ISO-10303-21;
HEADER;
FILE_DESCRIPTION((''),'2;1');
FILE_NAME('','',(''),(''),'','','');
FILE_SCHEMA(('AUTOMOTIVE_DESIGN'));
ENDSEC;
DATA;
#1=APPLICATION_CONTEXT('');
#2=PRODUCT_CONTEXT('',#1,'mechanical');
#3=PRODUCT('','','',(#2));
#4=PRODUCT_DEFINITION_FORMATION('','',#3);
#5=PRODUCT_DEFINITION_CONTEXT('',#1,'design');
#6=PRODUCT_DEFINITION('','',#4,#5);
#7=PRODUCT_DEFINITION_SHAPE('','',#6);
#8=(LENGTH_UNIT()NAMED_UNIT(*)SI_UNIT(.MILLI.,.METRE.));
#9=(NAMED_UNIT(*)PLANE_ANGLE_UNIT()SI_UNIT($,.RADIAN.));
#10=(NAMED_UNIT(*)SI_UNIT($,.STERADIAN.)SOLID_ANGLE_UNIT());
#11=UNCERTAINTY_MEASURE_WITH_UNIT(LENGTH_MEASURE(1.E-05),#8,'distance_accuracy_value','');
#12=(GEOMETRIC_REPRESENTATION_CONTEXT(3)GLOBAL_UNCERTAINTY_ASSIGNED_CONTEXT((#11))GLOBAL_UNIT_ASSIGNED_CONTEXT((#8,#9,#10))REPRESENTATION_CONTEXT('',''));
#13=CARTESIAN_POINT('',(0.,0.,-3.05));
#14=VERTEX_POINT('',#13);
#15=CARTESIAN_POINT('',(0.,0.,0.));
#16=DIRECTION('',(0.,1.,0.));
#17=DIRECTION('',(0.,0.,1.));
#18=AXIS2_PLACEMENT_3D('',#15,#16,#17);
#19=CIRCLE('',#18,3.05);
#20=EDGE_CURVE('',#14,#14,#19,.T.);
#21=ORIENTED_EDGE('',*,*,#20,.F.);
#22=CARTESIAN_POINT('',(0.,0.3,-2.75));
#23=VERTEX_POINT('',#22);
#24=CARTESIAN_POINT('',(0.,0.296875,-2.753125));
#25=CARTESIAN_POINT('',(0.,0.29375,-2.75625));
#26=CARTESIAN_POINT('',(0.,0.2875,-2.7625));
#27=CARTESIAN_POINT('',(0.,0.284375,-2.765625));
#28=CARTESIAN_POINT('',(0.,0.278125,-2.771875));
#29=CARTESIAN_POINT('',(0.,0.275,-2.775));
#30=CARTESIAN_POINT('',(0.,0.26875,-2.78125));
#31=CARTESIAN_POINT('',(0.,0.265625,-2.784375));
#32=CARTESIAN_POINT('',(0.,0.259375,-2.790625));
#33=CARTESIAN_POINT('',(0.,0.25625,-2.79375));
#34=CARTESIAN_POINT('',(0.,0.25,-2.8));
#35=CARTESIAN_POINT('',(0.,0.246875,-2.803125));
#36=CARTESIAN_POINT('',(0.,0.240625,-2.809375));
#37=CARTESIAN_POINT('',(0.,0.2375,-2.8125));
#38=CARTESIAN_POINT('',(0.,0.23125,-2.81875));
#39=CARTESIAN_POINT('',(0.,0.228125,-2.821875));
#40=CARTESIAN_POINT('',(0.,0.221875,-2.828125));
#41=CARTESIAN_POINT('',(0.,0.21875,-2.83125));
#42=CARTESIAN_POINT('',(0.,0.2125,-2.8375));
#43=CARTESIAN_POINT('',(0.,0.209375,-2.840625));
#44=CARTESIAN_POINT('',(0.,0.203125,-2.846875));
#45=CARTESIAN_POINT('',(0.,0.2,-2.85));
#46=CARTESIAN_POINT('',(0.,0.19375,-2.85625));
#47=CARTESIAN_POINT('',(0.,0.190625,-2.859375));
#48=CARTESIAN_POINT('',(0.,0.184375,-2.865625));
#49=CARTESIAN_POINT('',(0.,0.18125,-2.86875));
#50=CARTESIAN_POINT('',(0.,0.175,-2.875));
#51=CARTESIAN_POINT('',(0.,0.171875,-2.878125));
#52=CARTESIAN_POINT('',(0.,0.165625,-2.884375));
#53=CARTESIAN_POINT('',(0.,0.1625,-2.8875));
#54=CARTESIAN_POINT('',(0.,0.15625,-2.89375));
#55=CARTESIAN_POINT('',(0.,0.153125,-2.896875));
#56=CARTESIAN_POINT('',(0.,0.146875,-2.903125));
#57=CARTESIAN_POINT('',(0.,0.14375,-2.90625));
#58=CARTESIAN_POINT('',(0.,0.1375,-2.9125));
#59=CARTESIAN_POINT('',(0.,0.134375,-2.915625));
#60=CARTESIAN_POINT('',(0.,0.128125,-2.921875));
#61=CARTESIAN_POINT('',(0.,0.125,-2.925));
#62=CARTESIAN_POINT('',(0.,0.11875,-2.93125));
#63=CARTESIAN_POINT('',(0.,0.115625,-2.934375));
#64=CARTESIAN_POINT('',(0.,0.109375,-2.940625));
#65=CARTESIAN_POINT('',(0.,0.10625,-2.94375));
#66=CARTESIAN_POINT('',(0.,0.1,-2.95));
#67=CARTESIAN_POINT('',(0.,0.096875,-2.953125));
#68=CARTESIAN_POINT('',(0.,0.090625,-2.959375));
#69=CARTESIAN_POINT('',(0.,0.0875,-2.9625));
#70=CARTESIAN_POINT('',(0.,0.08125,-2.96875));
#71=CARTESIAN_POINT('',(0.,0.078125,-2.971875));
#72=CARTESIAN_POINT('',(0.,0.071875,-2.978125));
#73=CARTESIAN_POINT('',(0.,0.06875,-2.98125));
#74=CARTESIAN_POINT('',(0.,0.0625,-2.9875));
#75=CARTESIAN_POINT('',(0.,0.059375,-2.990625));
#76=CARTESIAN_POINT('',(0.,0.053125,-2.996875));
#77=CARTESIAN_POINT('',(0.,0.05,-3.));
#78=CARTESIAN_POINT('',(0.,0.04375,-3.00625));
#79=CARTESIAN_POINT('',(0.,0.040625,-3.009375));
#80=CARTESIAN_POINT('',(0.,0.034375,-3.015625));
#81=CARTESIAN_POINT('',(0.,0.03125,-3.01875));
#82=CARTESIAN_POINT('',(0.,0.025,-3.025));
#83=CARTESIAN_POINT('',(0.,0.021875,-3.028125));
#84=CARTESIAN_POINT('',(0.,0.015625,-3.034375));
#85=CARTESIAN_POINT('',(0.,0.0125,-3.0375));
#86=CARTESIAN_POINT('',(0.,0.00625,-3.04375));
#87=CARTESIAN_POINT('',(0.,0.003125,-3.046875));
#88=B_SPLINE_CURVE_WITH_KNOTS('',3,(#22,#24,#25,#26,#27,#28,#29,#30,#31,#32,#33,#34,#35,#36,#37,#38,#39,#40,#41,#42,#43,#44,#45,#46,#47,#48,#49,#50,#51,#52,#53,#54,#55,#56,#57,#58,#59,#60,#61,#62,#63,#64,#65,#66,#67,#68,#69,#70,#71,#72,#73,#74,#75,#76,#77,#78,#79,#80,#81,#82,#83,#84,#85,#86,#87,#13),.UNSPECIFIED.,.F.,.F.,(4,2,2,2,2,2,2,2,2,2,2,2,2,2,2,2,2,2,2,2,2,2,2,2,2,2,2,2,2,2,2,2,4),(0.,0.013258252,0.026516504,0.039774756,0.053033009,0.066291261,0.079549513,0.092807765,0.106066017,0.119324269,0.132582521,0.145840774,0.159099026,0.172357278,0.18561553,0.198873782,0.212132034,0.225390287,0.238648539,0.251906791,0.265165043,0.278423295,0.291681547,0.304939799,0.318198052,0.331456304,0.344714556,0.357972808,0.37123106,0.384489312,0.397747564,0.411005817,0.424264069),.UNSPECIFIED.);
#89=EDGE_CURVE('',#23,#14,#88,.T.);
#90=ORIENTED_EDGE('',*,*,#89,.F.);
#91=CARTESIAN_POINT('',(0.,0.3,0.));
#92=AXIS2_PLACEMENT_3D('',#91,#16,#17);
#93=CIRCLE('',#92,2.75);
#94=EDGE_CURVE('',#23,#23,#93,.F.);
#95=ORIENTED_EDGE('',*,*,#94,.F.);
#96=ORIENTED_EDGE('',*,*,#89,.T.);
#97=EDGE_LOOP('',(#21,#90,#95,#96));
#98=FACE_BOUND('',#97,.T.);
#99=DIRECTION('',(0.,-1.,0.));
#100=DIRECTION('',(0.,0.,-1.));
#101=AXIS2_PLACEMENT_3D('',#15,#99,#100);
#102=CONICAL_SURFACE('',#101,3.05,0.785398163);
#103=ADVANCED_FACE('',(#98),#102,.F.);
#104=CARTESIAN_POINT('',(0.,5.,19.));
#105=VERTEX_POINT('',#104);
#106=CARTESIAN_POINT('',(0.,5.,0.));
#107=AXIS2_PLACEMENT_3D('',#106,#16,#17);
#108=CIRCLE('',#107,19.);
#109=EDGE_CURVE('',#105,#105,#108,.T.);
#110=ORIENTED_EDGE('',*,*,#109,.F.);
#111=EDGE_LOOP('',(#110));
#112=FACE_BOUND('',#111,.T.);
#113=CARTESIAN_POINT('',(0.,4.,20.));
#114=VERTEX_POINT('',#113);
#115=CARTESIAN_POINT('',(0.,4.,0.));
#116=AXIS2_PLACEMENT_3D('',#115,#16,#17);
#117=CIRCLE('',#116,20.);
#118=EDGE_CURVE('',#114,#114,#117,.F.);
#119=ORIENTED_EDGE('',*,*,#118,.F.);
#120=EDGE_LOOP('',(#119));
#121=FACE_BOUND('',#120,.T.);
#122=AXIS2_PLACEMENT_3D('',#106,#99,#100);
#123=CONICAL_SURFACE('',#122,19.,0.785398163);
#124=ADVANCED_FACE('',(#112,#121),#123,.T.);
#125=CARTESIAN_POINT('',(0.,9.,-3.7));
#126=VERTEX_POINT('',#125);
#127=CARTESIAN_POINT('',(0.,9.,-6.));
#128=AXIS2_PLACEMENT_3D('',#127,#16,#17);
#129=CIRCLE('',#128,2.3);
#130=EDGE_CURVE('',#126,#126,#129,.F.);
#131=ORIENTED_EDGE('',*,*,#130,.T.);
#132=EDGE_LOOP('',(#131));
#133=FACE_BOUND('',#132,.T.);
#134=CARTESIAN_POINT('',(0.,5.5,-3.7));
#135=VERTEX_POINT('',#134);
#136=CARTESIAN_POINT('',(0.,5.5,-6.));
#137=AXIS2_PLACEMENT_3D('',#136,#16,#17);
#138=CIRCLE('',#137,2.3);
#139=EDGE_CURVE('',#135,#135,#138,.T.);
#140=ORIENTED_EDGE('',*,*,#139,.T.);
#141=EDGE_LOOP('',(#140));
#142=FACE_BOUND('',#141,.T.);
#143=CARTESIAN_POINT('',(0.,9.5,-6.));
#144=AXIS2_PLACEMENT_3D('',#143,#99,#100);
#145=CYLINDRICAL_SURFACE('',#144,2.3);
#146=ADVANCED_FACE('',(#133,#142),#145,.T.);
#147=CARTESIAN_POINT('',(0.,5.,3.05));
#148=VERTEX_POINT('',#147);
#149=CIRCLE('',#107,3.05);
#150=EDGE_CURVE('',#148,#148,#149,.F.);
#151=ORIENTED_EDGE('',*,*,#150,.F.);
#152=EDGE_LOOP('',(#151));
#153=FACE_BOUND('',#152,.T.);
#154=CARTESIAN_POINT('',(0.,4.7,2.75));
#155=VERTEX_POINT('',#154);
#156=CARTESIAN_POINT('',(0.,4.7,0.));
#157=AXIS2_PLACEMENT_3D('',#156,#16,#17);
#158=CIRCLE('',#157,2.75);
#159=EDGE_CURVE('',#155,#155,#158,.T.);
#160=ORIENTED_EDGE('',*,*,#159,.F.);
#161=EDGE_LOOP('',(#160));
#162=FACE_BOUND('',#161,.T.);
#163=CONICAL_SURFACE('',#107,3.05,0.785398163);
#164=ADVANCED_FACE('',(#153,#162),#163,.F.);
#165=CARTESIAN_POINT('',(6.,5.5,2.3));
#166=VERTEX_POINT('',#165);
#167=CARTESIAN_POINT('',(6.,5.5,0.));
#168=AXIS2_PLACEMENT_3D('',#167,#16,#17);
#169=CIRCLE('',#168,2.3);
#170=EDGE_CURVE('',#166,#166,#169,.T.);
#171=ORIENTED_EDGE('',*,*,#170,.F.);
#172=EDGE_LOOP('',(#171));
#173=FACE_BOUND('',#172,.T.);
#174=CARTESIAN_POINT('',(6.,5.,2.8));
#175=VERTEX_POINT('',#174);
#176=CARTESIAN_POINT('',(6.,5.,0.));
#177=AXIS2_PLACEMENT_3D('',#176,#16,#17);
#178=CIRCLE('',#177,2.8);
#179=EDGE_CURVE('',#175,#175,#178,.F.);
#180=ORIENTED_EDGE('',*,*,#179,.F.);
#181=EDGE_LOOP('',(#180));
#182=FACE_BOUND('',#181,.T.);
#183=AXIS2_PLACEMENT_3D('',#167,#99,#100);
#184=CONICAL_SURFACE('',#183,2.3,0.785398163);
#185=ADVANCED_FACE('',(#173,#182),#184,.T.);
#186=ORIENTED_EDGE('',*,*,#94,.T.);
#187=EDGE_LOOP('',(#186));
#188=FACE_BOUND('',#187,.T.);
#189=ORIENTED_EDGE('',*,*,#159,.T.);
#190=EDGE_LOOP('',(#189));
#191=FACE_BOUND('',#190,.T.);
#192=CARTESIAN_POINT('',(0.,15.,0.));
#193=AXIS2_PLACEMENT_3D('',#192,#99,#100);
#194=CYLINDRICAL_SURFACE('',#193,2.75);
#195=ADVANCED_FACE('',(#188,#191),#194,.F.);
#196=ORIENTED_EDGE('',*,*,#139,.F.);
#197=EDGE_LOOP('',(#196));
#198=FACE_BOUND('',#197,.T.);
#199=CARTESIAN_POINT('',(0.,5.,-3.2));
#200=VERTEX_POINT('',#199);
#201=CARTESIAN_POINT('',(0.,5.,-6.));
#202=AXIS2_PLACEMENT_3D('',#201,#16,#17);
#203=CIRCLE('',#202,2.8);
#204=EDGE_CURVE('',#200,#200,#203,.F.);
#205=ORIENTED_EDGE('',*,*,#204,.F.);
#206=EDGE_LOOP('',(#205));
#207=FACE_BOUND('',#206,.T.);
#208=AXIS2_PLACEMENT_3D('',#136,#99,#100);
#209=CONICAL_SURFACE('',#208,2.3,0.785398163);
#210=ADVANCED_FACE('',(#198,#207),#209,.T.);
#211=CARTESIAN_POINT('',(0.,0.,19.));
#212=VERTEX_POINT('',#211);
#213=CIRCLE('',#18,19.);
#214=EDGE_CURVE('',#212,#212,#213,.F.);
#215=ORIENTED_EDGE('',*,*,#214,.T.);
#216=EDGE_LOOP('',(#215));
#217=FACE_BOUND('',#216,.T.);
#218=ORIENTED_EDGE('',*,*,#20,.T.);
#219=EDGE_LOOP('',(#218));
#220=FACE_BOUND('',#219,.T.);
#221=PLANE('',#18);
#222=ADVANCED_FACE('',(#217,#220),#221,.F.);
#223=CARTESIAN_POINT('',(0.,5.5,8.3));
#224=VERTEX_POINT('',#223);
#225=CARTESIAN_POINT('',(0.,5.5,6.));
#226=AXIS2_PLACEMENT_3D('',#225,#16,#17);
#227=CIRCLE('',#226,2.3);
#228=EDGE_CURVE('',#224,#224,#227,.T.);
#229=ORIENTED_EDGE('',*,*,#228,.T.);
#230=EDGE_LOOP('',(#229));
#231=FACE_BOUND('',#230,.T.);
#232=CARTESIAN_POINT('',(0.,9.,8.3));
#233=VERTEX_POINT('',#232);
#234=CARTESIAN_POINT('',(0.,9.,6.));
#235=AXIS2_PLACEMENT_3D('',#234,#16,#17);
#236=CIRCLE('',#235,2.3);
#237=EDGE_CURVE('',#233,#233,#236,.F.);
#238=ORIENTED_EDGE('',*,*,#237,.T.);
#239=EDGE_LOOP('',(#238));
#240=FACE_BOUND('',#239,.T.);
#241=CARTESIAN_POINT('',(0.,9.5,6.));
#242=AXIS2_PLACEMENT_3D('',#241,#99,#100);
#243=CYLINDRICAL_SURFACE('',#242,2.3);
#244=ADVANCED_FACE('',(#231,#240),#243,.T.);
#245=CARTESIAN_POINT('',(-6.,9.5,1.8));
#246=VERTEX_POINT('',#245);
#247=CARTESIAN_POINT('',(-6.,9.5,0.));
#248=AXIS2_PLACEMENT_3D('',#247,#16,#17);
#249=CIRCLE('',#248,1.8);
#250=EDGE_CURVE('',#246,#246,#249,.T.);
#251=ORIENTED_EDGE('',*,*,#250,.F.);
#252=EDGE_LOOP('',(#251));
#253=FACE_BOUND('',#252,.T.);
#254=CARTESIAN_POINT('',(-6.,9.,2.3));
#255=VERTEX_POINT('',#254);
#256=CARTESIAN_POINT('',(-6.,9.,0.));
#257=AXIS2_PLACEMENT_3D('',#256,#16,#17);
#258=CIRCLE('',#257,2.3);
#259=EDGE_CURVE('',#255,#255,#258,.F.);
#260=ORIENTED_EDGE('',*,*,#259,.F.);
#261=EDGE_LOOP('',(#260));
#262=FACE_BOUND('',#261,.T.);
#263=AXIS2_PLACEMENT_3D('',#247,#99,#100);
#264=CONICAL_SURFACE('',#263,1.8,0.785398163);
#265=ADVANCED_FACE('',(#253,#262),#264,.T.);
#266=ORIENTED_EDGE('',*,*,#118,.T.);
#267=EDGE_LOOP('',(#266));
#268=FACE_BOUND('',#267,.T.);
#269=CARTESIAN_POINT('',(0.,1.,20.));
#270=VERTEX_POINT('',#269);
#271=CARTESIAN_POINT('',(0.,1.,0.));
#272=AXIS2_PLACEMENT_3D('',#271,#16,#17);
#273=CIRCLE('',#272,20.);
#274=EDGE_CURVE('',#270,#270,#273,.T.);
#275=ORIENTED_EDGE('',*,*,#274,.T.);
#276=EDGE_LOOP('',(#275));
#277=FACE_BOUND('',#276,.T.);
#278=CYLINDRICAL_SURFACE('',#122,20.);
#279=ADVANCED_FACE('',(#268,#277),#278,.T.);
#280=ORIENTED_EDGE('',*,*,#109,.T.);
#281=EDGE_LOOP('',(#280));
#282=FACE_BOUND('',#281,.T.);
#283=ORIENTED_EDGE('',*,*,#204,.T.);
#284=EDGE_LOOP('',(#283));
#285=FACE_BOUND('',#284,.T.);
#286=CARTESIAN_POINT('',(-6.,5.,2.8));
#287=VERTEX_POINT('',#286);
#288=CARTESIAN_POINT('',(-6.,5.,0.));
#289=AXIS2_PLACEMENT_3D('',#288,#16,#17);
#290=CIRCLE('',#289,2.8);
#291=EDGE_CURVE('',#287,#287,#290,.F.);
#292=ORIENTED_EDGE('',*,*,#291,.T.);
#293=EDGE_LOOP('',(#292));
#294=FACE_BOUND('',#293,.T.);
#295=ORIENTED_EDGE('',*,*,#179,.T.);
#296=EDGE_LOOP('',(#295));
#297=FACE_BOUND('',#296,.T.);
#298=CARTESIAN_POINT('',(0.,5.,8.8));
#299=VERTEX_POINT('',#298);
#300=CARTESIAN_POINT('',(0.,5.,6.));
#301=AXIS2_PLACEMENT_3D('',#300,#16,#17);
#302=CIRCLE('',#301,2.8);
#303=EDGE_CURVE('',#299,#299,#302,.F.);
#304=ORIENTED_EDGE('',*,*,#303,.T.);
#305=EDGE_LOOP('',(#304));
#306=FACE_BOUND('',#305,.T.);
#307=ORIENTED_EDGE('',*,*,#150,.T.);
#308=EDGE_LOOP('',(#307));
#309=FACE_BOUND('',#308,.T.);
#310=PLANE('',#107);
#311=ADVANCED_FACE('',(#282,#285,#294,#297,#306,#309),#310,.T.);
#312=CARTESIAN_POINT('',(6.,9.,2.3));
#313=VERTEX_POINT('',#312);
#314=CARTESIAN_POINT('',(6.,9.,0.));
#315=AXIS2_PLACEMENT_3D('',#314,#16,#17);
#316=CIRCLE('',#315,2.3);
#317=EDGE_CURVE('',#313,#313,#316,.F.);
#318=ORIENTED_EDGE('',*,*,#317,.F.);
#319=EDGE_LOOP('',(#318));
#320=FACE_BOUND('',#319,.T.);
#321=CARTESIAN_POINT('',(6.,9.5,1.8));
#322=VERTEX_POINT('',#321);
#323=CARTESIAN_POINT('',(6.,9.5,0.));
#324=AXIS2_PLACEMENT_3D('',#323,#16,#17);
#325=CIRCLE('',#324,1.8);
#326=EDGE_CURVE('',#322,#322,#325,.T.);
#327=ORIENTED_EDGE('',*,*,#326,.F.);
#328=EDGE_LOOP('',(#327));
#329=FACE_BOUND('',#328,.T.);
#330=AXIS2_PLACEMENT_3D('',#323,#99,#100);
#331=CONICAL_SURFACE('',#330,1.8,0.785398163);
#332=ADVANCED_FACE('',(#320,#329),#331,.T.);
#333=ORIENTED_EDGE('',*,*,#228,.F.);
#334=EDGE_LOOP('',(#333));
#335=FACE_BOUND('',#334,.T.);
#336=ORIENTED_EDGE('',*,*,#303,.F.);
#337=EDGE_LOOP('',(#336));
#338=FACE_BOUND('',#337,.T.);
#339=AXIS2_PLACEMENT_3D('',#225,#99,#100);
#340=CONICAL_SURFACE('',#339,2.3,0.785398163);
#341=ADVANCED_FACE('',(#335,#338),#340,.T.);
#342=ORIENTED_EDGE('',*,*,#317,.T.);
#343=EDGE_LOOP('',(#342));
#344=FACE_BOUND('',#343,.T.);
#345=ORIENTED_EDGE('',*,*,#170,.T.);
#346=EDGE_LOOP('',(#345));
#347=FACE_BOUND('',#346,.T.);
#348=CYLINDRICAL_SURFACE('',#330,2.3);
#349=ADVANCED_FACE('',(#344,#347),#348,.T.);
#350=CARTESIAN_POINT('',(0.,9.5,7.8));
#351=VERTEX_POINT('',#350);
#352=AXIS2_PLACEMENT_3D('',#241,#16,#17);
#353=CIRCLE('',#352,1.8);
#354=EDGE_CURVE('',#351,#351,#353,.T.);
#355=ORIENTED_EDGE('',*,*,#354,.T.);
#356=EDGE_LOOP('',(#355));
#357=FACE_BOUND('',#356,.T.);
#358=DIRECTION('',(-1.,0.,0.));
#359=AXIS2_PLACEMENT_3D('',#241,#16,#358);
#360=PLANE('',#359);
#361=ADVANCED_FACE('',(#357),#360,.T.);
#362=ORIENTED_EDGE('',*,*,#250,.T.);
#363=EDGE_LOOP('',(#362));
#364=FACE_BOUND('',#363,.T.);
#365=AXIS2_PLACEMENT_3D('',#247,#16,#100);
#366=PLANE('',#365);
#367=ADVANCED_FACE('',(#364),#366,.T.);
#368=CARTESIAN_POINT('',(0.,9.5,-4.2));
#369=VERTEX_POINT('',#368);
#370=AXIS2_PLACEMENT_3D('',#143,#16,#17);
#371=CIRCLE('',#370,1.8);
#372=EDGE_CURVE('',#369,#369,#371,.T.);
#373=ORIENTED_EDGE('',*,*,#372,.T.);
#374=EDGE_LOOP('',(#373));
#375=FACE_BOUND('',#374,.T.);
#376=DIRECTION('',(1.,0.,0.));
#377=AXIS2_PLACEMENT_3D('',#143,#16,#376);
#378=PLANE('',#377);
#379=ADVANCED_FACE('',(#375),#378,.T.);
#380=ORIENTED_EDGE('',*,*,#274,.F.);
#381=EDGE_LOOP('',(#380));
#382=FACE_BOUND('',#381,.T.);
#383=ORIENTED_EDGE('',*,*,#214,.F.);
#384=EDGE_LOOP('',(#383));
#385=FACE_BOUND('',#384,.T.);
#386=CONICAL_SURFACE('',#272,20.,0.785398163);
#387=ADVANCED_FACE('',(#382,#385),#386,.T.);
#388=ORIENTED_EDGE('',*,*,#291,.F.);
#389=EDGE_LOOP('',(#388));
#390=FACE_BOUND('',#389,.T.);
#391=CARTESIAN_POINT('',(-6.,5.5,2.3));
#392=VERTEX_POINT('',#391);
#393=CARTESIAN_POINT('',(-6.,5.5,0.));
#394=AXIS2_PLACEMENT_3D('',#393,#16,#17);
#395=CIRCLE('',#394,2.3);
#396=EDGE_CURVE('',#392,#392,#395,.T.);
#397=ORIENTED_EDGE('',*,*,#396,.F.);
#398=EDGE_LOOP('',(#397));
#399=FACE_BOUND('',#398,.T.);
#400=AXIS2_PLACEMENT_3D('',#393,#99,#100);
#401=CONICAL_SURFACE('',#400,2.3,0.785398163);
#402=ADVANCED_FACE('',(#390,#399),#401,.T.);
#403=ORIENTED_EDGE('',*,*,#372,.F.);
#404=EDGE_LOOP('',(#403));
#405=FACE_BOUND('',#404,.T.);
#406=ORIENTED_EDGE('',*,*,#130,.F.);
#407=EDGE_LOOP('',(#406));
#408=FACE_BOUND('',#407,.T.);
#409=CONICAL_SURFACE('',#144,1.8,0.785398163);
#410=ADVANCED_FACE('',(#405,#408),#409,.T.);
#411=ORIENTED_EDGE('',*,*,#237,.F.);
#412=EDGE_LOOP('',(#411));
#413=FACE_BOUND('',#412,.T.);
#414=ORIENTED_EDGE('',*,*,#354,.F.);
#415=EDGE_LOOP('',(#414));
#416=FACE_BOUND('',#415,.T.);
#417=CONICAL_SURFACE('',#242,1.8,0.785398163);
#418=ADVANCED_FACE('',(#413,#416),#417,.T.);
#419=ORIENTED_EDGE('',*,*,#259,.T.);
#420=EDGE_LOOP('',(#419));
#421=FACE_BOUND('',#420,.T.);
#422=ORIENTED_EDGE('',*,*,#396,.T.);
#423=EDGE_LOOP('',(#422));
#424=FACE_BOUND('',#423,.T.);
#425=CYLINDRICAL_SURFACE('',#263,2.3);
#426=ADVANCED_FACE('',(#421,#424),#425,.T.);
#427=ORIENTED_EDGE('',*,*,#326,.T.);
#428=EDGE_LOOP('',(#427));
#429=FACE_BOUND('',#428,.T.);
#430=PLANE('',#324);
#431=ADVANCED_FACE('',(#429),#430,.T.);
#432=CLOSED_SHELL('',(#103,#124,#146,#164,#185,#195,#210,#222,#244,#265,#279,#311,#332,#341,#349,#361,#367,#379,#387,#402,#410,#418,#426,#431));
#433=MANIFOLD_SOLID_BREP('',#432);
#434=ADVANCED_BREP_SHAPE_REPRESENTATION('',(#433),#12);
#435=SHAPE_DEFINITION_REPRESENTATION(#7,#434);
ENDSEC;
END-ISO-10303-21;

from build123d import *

# Parameters (mm, degrees)
SKETCH_1_R                           = 20
EXTRUDE_1_DEPTH                      = 5
CUT_EXTRUDE_START                    = -5
SKETCH_4_R                           = 2.75
CUT_EXTRUDE_3_DEPTH                  = 15
SKETCH_7_R                           = 2.3
EXTRUDE_3_DEPTH                      = 4.5
CHAMFER_3_SIZE                       = 0.5
PATTERN_CIRCULAR_1_COUNT             = 4
CHAMFER_3_OF_PATTERN_CIRCULAR_1_SIZE = 0.5
CHAMFER_4_SIZE                       = 0.3
CHAMFER_5_SIZE                       = 1


with BuildPart() as part:
    # 草图1 → 凸台-拉伸1 (new body)
    with BuildSketch(Plane(origin=(0, 0, 0), x_dir=(1, 0, 0), z_dir=(0, 1, 0))):
        with Locations(Location((0, 0, 0), (0, 0, 270))):
            Circle(SKETCH_1_R)
    extrude(amount=EXTRUDE_1_DEPTH)

    # 草图4 → 切除-拉伸3 (cut)
    with BuildSketch(Plane(origin=(0, 5, 0), x_dir=(1, 0, 0), z_dir=(0, 1, 0)).offset(CUT_EXTRUDE_START)):
        with Locations(Location((0, 0, 0), (0, 0, 270))):
            Circle(SKETCH_4_R)
    extrude(amount=CUT_EXTRUDE_3_DEPTH, mode=Mode.SUBTRACT)

    # 草图7 → 凸台-拉伸3 (add)
    with BuildSketch(Plane(origin=(0, 5, 0), x_dir=(1, 0, 0), z_dir=(0, 1, 0))):
        with Locations(Location((6, 0, 0), (0, 0, 270))):
            Circle(SKETCH_7_R)
    extrude_3 = extrude(amount=EXTRUDE_3_DEPTH)

    # 倒角3
    chamfer_3_edges = [part.edges().sort_by_distance(p)[0] for p in [
        (6, 5, -2.3),
        (6, 9.5, -2.3),
    ]]
    chamfer(chamfer_3_edges, length=CHAMFER_3_SIZE)

    # 阵列(圆周)1: 凸台-拉伸3 ×4 about axis
    pattern_circular_1_axis = Axis((0, 0, 0), (0, 1, 0))
    for i in range(1, PATTERN_CIRCULAR_1_COUNT):
        add(extrude_3.rotate(pattern_circular_1_axis, i * 360 / PATTERN_CIRCULAR_1_COUNT))

    # 倒角3 of 阵列(圆周)1
    chamfer_3_of_pattern_circular_1_edges = [part.edges().sort_by_distance(p)[0] for p in [
        (-2.3, 5, -6),
        (-2.3, 9.5, -6),
        (-6, 5, 2.3),
        (-6, 9.5, 2.3),
        (2.3, 5, 6),
        (2.3, 9.5, 6),
    ]]
    chamfer(chamfer_3_of_pattern_circular_1_edges, length=CHAMFER_3_OF_PATTERN_CIRCULAR_1_SIZE)

    # 倒角4
    chamfer_4_edges = [part.edges().sort_by_distance(p)[0] for p in [
        (0, 5, -2.75),
        (0, 0, -2.75),
    ]]
    chamfer(chamfer_4_edges, length=CHAMFER_4_SIZE)

    # 倒角5
    chamfer_5_edges = [part.edges().sort_by_distance(p)[0] for p in [
        (0, 0, -20),
        (0, 5, -20),
    ]]
    chamfer(chamfer_5_edges, length=CHAMFER_5_SIZE)


solid = part.part
